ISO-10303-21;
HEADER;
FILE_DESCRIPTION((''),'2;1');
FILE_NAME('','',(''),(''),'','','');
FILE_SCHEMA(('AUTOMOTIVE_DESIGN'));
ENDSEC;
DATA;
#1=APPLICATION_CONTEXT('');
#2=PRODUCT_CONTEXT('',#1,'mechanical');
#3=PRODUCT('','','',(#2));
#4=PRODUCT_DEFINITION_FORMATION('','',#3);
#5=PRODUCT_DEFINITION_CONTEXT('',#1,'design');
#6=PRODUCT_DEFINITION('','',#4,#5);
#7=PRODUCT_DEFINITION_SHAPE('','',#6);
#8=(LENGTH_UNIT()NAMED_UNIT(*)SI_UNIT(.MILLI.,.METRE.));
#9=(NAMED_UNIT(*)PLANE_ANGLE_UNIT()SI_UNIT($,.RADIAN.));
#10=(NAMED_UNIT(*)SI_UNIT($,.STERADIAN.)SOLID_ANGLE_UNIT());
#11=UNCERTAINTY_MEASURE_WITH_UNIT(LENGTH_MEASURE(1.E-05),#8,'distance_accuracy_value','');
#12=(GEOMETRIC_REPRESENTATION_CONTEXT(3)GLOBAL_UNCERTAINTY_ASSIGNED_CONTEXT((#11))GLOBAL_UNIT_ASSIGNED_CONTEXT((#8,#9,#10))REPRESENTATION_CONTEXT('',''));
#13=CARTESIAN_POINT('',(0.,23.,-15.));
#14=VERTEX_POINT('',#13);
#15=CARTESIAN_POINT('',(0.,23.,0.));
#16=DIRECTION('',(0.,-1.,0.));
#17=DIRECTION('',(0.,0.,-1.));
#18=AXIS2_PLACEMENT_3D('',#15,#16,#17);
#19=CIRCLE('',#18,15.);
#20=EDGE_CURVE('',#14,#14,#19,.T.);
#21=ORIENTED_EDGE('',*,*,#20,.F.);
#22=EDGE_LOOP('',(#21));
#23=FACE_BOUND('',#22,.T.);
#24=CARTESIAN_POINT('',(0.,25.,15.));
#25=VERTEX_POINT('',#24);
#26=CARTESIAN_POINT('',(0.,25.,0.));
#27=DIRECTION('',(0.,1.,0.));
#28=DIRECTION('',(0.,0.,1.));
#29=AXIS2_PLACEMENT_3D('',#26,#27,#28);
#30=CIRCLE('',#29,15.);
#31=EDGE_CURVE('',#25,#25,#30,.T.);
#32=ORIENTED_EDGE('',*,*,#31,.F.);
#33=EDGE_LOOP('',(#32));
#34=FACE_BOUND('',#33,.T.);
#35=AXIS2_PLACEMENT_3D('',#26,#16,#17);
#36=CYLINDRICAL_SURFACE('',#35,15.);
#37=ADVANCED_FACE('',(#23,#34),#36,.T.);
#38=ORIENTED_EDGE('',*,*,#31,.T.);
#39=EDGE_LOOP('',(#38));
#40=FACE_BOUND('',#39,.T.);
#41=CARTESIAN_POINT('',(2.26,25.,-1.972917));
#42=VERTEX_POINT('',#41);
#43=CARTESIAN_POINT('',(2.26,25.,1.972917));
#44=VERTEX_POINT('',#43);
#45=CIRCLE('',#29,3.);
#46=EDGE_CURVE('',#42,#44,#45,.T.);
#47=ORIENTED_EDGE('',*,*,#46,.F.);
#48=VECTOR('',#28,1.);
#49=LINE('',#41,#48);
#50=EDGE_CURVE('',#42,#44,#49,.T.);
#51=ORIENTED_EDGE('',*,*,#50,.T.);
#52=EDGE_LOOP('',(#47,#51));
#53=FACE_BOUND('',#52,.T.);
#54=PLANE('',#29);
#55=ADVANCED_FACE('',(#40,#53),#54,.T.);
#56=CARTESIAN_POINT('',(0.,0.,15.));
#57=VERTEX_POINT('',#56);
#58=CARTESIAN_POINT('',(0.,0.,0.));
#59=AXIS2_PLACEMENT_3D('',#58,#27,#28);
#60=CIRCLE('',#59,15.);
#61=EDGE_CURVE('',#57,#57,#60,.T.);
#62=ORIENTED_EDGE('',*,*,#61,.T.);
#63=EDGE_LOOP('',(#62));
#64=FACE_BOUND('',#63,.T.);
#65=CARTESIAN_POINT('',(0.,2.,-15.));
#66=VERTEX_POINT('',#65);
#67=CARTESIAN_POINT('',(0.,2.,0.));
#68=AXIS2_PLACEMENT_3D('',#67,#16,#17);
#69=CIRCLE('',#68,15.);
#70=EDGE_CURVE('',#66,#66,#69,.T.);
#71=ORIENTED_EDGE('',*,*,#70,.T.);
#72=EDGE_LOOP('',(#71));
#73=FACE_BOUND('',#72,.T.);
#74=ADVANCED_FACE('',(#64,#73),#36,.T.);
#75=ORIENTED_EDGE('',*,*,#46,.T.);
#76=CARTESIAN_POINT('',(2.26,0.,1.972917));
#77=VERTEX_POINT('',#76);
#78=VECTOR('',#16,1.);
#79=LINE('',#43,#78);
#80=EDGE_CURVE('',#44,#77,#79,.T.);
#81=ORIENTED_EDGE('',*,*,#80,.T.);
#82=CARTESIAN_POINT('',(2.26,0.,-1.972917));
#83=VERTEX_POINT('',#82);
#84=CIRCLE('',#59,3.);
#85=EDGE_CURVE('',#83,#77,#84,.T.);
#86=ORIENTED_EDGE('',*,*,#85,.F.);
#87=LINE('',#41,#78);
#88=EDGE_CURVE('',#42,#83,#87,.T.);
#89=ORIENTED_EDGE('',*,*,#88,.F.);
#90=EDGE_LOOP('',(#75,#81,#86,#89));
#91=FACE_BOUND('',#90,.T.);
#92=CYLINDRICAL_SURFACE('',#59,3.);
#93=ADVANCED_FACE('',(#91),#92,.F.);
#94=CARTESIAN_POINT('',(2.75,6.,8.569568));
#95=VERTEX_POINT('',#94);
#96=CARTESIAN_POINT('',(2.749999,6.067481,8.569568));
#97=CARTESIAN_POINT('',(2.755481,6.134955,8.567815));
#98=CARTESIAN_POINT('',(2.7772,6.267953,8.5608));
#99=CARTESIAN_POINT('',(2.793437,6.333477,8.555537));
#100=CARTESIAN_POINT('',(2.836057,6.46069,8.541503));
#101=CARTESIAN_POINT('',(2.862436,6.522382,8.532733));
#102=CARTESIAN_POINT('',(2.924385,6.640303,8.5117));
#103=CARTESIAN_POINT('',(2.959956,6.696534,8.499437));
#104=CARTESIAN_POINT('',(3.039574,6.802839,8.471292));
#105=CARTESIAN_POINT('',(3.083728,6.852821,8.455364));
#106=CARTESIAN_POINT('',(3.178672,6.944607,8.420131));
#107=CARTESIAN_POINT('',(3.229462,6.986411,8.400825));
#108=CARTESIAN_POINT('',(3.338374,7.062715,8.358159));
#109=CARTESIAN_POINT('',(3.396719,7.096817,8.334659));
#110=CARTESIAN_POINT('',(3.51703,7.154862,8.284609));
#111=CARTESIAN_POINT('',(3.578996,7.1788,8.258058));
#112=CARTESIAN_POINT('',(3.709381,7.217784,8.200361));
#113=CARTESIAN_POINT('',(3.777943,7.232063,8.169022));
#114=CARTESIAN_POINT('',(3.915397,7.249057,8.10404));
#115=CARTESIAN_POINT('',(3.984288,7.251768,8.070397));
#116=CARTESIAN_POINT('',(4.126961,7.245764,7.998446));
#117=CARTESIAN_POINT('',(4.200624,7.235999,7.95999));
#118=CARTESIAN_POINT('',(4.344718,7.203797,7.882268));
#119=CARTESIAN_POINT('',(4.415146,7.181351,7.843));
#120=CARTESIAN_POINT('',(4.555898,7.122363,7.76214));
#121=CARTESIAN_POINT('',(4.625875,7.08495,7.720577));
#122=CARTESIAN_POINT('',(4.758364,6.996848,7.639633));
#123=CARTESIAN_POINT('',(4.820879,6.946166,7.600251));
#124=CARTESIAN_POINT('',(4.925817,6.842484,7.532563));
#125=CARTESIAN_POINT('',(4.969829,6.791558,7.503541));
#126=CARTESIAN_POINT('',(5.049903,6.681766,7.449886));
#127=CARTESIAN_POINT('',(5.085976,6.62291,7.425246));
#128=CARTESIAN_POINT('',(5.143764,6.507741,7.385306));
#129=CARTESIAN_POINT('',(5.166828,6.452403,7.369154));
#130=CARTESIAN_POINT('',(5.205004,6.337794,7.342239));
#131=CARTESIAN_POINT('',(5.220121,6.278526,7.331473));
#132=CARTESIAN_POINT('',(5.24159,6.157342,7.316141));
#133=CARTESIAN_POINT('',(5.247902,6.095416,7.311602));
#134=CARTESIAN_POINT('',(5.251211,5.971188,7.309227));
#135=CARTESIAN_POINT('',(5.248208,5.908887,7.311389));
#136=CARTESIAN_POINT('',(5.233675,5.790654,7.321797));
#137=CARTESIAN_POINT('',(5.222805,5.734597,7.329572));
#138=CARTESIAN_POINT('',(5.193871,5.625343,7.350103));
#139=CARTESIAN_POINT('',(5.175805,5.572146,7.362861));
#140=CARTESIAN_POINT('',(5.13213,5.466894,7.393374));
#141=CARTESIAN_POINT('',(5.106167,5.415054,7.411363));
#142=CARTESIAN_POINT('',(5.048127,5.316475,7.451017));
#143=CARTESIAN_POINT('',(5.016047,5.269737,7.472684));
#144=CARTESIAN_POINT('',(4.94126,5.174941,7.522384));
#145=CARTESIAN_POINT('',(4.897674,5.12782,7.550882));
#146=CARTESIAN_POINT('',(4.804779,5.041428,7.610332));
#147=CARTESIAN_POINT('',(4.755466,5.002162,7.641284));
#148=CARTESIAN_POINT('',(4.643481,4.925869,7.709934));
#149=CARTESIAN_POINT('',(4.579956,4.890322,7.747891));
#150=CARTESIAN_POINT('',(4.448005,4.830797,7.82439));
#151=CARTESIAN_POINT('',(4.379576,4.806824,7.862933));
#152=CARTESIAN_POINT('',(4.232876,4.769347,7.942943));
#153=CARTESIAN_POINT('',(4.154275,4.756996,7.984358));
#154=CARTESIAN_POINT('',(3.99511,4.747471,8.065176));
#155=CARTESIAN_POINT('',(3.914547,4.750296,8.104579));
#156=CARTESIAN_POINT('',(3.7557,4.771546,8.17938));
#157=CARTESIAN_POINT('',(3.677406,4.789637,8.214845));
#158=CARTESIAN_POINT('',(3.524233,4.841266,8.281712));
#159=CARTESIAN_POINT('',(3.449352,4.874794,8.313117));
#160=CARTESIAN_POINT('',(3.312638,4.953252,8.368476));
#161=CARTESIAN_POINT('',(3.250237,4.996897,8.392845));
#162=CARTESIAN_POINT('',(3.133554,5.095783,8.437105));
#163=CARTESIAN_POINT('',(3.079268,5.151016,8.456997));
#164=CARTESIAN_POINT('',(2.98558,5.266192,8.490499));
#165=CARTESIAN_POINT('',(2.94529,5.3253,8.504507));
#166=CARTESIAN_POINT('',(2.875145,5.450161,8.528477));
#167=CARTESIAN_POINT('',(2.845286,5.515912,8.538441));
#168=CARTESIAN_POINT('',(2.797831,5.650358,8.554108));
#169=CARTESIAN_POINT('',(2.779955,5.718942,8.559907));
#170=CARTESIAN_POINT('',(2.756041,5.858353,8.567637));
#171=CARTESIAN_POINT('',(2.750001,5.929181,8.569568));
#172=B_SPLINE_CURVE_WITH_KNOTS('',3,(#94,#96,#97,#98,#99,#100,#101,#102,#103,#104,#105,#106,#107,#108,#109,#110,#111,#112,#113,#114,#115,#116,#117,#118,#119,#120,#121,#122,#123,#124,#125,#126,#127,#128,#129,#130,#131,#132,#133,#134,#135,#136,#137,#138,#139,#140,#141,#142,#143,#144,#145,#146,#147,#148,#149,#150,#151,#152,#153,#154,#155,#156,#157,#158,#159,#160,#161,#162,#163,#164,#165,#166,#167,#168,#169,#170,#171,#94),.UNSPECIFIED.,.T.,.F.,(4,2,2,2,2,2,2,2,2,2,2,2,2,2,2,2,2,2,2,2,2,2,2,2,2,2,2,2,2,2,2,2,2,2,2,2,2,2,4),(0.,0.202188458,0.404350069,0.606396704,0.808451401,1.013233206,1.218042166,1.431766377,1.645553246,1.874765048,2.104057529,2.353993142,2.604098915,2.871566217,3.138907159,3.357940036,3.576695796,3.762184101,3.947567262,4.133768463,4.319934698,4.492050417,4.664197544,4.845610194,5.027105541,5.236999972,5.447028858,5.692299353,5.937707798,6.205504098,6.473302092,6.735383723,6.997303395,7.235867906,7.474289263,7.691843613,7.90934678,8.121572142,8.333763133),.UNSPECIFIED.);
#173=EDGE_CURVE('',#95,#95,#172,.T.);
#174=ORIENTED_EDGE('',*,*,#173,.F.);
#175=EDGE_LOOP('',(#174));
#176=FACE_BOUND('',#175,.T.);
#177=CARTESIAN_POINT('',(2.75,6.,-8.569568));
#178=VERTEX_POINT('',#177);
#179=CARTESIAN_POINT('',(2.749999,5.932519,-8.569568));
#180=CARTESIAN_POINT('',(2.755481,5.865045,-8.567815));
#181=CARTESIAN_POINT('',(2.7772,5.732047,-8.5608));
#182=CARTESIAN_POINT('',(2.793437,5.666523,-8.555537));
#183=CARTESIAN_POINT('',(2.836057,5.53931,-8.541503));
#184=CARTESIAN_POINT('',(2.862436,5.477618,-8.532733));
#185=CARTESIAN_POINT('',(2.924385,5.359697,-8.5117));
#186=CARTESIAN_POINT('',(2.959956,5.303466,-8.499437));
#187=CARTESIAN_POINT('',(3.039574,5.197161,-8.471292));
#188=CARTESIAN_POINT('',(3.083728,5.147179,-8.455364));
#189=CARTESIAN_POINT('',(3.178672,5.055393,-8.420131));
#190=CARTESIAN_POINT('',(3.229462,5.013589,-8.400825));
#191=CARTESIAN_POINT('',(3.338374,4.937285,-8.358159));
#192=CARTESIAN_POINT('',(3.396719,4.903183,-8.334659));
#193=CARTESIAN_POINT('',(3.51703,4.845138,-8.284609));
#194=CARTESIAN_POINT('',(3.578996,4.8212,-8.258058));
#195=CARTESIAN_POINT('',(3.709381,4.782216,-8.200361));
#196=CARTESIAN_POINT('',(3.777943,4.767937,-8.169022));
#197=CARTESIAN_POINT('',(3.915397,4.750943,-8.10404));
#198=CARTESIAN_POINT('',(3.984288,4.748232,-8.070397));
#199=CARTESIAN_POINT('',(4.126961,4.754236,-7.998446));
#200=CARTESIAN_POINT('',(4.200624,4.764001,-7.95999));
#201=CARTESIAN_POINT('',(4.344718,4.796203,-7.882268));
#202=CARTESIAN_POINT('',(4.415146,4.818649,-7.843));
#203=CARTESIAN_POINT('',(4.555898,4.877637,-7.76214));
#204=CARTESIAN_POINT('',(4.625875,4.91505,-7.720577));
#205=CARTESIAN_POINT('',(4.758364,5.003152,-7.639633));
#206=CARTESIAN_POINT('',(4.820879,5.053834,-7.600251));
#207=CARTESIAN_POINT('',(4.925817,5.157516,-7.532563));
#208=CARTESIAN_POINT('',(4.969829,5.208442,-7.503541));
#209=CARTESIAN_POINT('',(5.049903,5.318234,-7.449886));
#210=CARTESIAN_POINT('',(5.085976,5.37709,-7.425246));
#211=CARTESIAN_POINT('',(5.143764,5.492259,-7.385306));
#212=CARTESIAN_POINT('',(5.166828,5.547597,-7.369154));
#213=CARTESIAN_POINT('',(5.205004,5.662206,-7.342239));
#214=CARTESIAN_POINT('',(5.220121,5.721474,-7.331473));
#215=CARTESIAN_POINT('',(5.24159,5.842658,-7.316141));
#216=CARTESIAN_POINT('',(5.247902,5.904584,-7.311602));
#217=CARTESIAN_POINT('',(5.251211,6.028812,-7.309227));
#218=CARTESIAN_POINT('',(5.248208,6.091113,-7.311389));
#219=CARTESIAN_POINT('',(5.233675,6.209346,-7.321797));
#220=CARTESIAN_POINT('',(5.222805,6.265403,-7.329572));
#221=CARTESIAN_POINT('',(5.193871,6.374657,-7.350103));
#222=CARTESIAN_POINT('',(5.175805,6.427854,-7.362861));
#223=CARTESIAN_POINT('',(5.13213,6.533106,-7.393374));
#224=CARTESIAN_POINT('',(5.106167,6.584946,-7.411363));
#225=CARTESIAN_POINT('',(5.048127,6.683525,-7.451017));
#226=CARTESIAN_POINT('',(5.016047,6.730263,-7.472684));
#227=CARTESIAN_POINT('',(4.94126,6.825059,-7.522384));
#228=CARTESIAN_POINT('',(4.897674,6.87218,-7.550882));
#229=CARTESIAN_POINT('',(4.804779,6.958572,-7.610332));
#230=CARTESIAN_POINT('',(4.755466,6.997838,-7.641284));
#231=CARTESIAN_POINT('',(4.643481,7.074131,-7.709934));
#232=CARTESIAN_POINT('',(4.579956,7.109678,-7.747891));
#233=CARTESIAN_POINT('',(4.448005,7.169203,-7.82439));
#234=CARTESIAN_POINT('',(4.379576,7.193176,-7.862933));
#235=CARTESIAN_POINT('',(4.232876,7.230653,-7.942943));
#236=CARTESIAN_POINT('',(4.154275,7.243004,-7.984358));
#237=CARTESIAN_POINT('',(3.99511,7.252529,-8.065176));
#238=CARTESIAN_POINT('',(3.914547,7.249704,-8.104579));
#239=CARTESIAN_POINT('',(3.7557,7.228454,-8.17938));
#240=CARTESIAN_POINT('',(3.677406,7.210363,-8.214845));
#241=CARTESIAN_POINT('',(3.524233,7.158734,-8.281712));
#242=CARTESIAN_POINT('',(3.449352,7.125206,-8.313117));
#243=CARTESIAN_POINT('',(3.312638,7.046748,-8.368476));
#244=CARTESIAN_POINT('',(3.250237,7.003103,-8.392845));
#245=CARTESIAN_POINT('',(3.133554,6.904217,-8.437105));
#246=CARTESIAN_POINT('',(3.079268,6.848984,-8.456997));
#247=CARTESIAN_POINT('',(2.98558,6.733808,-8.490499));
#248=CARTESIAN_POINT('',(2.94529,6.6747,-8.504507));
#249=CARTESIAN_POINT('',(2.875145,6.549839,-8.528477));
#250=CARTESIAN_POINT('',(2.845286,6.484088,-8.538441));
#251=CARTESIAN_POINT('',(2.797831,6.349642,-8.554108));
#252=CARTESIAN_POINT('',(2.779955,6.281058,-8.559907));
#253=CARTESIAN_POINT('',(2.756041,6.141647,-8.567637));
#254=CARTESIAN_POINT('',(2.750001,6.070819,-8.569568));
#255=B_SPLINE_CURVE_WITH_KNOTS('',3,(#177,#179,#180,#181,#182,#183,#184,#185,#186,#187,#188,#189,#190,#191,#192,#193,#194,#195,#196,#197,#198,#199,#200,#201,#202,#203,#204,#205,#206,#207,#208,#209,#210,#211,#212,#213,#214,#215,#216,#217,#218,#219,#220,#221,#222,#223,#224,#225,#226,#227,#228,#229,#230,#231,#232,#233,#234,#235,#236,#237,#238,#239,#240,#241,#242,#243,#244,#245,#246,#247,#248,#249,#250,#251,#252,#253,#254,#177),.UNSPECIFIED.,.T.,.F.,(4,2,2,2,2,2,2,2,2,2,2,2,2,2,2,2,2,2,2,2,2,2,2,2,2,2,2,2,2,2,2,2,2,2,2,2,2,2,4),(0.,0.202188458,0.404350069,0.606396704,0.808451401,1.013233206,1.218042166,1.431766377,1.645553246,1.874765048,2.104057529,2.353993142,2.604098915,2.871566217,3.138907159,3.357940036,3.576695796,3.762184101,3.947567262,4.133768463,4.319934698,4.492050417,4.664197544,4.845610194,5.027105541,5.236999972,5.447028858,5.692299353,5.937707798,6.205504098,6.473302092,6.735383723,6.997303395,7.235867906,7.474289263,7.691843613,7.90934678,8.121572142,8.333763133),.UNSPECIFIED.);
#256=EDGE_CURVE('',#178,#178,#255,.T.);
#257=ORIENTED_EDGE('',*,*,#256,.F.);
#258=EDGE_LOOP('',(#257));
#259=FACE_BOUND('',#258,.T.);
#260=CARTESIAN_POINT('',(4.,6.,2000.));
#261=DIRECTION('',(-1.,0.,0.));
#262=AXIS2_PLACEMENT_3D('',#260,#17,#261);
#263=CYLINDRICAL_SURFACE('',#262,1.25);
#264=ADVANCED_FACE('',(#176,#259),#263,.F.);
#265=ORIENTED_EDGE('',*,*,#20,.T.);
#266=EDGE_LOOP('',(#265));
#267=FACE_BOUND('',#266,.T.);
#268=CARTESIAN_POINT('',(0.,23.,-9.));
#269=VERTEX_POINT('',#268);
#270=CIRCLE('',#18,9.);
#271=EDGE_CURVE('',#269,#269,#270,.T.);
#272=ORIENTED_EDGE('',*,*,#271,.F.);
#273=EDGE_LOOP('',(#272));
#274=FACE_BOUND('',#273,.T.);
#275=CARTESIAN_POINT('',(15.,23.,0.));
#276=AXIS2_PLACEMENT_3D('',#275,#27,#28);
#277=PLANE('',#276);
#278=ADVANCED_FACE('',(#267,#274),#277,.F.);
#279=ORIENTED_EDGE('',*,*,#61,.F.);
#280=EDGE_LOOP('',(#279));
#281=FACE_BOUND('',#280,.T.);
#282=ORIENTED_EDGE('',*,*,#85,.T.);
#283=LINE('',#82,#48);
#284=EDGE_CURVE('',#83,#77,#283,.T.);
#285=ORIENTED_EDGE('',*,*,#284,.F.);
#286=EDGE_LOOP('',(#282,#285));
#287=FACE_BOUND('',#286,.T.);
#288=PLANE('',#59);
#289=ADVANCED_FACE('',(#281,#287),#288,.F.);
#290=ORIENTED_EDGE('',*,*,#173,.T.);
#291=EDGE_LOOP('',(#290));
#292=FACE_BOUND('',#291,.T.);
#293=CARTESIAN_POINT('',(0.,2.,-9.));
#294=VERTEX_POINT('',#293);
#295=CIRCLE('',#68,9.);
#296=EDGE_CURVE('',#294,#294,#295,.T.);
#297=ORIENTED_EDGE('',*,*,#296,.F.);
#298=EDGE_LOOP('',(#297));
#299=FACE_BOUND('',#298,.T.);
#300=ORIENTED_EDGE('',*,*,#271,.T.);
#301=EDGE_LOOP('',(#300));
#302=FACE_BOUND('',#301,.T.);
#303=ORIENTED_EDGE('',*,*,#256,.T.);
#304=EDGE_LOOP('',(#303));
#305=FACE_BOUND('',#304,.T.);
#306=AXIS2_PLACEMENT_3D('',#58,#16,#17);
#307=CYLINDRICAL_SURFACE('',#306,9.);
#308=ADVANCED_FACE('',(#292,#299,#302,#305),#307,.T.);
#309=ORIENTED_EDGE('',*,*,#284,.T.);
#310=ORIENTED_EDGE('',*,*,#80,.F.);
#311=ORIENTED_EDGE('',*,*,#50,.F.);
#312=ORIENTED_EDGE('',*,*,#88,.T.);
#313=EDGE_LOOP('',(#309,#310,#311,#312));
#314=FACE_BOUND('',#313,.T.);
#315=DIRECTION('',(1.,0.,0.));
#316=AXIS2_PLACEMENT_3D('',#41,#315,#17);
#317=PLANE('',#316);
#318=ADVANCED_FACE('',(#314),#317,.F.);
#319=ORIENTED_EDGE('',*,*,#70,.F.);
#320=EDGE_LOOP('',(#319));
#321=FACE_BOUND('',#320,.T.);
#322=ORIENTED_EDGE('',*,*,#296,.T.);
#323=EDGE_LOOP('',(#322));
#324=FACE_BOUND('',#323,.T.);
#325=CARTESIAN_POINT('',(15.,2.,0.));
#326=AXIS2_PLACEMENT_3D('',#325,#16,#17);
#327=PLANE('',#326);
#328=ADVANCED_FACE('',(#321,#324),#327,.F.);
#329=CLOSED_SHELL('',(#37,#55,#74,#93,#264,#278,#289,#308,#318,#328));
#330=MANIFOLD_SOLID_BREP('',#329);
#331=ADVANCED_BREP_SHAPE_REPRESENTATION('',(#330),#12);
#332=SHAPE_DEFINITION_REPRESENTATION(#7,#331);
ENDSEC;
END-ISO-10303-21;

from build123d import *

# Parameters (mm, degrees)
SKETCH1_R               = 15
BOSS_EXTRUDE1_DEPTH     = 25
SKETCH2_R               = 3
CUT_EXTRUDE1_DEPTH      = 25
SKETCH3_W               = 0.8
SKETCH3_H               = 3.945833246
BOSS_EXTRUDE2_DEPTH     = 25
CUT_EXTRUDE2_DEPTH      = 2000
CUT_EXTRUDE2_DEPTH_BACK = 25
SKETCH4_R               = 1.25
SKETCH5_W               = 6
SKETCH5_H               = 21


with BuildPart() as part:
    # Sketch1 → Boss-Extrude1 (new body)
    with BuildSketch(Plane(origin=(0, 0, 0), x_dir=(1, 0, 0), z_dir=(0, 1, 0))):
        with Locations(Location((0, 0, 0), (0, 0, 270))):
            Circle(SKETCH1_R)
    extrude(amount=BOSS_EXTRUDE1_DEPTH)

    # Sketch2 → Cut-Extrude1 (cut)
    with BuildSketch(Plane(origin=(0, 25, 0), x_dir=(1, 0, 0), z_dir=(0, 1, 0))):
        with Locations(Location((0, 0, 0), (0, 0, 270))):
            Circle(SKETCH2_R)
    extrude(amount=-CUT_EXTRUDE1_DEPTH, mode=Mode.SUBTRACT)

    # Sketch3 → Boss-Extrude2 (add)
    with BuildSketch(Plane(origin=(0, 0, 0), x_dir=(1, 0, 0), z_dir=(0, 1, 0))):
        with Locations((2.66, 0)):
            Rectangle(SKETCH3_W, SKETCH3_H)
    extrude(amount=BOSS_EXTRUDE2_DEPTH)

    # Sketch4 → Cut-Extrude2 (cut, two sides: drawn at the far end of the back side and taken through both)
    with BuildSketch(Plane.XY.offset(-CUT_EXTRUDE2_DEPTH_BACK)):
        with Locations(Location((4, 6, 0), (0, 0, 180))):
            Circle(SKETCH4_R)
    extrude(amount=CUT_EXTRUDE2_DEPTH + CUT_EXTRUDE2_DEPTH_BACK, mode=Mode.SUBTRACT)

    # Sketch5 → Cut-Revolve1 (revolve, cut)
    with BuildSketch(Plane.XY, mode=Mode.PRIVATE) as cut_revolve1_sk:
        with Locations((12, 12.5)):
            Rectangle(SKETCH5_W, SKETCH5_H)
    revolve(cut_revolve1_sk.sketch.rotate(Axis((0, 0, 0), (0, 1, 0)), 90), axis=Axis((0, 0, 0), (0, 1, 0)), mode=Mode.SUBTRACT)


solid = part.part
